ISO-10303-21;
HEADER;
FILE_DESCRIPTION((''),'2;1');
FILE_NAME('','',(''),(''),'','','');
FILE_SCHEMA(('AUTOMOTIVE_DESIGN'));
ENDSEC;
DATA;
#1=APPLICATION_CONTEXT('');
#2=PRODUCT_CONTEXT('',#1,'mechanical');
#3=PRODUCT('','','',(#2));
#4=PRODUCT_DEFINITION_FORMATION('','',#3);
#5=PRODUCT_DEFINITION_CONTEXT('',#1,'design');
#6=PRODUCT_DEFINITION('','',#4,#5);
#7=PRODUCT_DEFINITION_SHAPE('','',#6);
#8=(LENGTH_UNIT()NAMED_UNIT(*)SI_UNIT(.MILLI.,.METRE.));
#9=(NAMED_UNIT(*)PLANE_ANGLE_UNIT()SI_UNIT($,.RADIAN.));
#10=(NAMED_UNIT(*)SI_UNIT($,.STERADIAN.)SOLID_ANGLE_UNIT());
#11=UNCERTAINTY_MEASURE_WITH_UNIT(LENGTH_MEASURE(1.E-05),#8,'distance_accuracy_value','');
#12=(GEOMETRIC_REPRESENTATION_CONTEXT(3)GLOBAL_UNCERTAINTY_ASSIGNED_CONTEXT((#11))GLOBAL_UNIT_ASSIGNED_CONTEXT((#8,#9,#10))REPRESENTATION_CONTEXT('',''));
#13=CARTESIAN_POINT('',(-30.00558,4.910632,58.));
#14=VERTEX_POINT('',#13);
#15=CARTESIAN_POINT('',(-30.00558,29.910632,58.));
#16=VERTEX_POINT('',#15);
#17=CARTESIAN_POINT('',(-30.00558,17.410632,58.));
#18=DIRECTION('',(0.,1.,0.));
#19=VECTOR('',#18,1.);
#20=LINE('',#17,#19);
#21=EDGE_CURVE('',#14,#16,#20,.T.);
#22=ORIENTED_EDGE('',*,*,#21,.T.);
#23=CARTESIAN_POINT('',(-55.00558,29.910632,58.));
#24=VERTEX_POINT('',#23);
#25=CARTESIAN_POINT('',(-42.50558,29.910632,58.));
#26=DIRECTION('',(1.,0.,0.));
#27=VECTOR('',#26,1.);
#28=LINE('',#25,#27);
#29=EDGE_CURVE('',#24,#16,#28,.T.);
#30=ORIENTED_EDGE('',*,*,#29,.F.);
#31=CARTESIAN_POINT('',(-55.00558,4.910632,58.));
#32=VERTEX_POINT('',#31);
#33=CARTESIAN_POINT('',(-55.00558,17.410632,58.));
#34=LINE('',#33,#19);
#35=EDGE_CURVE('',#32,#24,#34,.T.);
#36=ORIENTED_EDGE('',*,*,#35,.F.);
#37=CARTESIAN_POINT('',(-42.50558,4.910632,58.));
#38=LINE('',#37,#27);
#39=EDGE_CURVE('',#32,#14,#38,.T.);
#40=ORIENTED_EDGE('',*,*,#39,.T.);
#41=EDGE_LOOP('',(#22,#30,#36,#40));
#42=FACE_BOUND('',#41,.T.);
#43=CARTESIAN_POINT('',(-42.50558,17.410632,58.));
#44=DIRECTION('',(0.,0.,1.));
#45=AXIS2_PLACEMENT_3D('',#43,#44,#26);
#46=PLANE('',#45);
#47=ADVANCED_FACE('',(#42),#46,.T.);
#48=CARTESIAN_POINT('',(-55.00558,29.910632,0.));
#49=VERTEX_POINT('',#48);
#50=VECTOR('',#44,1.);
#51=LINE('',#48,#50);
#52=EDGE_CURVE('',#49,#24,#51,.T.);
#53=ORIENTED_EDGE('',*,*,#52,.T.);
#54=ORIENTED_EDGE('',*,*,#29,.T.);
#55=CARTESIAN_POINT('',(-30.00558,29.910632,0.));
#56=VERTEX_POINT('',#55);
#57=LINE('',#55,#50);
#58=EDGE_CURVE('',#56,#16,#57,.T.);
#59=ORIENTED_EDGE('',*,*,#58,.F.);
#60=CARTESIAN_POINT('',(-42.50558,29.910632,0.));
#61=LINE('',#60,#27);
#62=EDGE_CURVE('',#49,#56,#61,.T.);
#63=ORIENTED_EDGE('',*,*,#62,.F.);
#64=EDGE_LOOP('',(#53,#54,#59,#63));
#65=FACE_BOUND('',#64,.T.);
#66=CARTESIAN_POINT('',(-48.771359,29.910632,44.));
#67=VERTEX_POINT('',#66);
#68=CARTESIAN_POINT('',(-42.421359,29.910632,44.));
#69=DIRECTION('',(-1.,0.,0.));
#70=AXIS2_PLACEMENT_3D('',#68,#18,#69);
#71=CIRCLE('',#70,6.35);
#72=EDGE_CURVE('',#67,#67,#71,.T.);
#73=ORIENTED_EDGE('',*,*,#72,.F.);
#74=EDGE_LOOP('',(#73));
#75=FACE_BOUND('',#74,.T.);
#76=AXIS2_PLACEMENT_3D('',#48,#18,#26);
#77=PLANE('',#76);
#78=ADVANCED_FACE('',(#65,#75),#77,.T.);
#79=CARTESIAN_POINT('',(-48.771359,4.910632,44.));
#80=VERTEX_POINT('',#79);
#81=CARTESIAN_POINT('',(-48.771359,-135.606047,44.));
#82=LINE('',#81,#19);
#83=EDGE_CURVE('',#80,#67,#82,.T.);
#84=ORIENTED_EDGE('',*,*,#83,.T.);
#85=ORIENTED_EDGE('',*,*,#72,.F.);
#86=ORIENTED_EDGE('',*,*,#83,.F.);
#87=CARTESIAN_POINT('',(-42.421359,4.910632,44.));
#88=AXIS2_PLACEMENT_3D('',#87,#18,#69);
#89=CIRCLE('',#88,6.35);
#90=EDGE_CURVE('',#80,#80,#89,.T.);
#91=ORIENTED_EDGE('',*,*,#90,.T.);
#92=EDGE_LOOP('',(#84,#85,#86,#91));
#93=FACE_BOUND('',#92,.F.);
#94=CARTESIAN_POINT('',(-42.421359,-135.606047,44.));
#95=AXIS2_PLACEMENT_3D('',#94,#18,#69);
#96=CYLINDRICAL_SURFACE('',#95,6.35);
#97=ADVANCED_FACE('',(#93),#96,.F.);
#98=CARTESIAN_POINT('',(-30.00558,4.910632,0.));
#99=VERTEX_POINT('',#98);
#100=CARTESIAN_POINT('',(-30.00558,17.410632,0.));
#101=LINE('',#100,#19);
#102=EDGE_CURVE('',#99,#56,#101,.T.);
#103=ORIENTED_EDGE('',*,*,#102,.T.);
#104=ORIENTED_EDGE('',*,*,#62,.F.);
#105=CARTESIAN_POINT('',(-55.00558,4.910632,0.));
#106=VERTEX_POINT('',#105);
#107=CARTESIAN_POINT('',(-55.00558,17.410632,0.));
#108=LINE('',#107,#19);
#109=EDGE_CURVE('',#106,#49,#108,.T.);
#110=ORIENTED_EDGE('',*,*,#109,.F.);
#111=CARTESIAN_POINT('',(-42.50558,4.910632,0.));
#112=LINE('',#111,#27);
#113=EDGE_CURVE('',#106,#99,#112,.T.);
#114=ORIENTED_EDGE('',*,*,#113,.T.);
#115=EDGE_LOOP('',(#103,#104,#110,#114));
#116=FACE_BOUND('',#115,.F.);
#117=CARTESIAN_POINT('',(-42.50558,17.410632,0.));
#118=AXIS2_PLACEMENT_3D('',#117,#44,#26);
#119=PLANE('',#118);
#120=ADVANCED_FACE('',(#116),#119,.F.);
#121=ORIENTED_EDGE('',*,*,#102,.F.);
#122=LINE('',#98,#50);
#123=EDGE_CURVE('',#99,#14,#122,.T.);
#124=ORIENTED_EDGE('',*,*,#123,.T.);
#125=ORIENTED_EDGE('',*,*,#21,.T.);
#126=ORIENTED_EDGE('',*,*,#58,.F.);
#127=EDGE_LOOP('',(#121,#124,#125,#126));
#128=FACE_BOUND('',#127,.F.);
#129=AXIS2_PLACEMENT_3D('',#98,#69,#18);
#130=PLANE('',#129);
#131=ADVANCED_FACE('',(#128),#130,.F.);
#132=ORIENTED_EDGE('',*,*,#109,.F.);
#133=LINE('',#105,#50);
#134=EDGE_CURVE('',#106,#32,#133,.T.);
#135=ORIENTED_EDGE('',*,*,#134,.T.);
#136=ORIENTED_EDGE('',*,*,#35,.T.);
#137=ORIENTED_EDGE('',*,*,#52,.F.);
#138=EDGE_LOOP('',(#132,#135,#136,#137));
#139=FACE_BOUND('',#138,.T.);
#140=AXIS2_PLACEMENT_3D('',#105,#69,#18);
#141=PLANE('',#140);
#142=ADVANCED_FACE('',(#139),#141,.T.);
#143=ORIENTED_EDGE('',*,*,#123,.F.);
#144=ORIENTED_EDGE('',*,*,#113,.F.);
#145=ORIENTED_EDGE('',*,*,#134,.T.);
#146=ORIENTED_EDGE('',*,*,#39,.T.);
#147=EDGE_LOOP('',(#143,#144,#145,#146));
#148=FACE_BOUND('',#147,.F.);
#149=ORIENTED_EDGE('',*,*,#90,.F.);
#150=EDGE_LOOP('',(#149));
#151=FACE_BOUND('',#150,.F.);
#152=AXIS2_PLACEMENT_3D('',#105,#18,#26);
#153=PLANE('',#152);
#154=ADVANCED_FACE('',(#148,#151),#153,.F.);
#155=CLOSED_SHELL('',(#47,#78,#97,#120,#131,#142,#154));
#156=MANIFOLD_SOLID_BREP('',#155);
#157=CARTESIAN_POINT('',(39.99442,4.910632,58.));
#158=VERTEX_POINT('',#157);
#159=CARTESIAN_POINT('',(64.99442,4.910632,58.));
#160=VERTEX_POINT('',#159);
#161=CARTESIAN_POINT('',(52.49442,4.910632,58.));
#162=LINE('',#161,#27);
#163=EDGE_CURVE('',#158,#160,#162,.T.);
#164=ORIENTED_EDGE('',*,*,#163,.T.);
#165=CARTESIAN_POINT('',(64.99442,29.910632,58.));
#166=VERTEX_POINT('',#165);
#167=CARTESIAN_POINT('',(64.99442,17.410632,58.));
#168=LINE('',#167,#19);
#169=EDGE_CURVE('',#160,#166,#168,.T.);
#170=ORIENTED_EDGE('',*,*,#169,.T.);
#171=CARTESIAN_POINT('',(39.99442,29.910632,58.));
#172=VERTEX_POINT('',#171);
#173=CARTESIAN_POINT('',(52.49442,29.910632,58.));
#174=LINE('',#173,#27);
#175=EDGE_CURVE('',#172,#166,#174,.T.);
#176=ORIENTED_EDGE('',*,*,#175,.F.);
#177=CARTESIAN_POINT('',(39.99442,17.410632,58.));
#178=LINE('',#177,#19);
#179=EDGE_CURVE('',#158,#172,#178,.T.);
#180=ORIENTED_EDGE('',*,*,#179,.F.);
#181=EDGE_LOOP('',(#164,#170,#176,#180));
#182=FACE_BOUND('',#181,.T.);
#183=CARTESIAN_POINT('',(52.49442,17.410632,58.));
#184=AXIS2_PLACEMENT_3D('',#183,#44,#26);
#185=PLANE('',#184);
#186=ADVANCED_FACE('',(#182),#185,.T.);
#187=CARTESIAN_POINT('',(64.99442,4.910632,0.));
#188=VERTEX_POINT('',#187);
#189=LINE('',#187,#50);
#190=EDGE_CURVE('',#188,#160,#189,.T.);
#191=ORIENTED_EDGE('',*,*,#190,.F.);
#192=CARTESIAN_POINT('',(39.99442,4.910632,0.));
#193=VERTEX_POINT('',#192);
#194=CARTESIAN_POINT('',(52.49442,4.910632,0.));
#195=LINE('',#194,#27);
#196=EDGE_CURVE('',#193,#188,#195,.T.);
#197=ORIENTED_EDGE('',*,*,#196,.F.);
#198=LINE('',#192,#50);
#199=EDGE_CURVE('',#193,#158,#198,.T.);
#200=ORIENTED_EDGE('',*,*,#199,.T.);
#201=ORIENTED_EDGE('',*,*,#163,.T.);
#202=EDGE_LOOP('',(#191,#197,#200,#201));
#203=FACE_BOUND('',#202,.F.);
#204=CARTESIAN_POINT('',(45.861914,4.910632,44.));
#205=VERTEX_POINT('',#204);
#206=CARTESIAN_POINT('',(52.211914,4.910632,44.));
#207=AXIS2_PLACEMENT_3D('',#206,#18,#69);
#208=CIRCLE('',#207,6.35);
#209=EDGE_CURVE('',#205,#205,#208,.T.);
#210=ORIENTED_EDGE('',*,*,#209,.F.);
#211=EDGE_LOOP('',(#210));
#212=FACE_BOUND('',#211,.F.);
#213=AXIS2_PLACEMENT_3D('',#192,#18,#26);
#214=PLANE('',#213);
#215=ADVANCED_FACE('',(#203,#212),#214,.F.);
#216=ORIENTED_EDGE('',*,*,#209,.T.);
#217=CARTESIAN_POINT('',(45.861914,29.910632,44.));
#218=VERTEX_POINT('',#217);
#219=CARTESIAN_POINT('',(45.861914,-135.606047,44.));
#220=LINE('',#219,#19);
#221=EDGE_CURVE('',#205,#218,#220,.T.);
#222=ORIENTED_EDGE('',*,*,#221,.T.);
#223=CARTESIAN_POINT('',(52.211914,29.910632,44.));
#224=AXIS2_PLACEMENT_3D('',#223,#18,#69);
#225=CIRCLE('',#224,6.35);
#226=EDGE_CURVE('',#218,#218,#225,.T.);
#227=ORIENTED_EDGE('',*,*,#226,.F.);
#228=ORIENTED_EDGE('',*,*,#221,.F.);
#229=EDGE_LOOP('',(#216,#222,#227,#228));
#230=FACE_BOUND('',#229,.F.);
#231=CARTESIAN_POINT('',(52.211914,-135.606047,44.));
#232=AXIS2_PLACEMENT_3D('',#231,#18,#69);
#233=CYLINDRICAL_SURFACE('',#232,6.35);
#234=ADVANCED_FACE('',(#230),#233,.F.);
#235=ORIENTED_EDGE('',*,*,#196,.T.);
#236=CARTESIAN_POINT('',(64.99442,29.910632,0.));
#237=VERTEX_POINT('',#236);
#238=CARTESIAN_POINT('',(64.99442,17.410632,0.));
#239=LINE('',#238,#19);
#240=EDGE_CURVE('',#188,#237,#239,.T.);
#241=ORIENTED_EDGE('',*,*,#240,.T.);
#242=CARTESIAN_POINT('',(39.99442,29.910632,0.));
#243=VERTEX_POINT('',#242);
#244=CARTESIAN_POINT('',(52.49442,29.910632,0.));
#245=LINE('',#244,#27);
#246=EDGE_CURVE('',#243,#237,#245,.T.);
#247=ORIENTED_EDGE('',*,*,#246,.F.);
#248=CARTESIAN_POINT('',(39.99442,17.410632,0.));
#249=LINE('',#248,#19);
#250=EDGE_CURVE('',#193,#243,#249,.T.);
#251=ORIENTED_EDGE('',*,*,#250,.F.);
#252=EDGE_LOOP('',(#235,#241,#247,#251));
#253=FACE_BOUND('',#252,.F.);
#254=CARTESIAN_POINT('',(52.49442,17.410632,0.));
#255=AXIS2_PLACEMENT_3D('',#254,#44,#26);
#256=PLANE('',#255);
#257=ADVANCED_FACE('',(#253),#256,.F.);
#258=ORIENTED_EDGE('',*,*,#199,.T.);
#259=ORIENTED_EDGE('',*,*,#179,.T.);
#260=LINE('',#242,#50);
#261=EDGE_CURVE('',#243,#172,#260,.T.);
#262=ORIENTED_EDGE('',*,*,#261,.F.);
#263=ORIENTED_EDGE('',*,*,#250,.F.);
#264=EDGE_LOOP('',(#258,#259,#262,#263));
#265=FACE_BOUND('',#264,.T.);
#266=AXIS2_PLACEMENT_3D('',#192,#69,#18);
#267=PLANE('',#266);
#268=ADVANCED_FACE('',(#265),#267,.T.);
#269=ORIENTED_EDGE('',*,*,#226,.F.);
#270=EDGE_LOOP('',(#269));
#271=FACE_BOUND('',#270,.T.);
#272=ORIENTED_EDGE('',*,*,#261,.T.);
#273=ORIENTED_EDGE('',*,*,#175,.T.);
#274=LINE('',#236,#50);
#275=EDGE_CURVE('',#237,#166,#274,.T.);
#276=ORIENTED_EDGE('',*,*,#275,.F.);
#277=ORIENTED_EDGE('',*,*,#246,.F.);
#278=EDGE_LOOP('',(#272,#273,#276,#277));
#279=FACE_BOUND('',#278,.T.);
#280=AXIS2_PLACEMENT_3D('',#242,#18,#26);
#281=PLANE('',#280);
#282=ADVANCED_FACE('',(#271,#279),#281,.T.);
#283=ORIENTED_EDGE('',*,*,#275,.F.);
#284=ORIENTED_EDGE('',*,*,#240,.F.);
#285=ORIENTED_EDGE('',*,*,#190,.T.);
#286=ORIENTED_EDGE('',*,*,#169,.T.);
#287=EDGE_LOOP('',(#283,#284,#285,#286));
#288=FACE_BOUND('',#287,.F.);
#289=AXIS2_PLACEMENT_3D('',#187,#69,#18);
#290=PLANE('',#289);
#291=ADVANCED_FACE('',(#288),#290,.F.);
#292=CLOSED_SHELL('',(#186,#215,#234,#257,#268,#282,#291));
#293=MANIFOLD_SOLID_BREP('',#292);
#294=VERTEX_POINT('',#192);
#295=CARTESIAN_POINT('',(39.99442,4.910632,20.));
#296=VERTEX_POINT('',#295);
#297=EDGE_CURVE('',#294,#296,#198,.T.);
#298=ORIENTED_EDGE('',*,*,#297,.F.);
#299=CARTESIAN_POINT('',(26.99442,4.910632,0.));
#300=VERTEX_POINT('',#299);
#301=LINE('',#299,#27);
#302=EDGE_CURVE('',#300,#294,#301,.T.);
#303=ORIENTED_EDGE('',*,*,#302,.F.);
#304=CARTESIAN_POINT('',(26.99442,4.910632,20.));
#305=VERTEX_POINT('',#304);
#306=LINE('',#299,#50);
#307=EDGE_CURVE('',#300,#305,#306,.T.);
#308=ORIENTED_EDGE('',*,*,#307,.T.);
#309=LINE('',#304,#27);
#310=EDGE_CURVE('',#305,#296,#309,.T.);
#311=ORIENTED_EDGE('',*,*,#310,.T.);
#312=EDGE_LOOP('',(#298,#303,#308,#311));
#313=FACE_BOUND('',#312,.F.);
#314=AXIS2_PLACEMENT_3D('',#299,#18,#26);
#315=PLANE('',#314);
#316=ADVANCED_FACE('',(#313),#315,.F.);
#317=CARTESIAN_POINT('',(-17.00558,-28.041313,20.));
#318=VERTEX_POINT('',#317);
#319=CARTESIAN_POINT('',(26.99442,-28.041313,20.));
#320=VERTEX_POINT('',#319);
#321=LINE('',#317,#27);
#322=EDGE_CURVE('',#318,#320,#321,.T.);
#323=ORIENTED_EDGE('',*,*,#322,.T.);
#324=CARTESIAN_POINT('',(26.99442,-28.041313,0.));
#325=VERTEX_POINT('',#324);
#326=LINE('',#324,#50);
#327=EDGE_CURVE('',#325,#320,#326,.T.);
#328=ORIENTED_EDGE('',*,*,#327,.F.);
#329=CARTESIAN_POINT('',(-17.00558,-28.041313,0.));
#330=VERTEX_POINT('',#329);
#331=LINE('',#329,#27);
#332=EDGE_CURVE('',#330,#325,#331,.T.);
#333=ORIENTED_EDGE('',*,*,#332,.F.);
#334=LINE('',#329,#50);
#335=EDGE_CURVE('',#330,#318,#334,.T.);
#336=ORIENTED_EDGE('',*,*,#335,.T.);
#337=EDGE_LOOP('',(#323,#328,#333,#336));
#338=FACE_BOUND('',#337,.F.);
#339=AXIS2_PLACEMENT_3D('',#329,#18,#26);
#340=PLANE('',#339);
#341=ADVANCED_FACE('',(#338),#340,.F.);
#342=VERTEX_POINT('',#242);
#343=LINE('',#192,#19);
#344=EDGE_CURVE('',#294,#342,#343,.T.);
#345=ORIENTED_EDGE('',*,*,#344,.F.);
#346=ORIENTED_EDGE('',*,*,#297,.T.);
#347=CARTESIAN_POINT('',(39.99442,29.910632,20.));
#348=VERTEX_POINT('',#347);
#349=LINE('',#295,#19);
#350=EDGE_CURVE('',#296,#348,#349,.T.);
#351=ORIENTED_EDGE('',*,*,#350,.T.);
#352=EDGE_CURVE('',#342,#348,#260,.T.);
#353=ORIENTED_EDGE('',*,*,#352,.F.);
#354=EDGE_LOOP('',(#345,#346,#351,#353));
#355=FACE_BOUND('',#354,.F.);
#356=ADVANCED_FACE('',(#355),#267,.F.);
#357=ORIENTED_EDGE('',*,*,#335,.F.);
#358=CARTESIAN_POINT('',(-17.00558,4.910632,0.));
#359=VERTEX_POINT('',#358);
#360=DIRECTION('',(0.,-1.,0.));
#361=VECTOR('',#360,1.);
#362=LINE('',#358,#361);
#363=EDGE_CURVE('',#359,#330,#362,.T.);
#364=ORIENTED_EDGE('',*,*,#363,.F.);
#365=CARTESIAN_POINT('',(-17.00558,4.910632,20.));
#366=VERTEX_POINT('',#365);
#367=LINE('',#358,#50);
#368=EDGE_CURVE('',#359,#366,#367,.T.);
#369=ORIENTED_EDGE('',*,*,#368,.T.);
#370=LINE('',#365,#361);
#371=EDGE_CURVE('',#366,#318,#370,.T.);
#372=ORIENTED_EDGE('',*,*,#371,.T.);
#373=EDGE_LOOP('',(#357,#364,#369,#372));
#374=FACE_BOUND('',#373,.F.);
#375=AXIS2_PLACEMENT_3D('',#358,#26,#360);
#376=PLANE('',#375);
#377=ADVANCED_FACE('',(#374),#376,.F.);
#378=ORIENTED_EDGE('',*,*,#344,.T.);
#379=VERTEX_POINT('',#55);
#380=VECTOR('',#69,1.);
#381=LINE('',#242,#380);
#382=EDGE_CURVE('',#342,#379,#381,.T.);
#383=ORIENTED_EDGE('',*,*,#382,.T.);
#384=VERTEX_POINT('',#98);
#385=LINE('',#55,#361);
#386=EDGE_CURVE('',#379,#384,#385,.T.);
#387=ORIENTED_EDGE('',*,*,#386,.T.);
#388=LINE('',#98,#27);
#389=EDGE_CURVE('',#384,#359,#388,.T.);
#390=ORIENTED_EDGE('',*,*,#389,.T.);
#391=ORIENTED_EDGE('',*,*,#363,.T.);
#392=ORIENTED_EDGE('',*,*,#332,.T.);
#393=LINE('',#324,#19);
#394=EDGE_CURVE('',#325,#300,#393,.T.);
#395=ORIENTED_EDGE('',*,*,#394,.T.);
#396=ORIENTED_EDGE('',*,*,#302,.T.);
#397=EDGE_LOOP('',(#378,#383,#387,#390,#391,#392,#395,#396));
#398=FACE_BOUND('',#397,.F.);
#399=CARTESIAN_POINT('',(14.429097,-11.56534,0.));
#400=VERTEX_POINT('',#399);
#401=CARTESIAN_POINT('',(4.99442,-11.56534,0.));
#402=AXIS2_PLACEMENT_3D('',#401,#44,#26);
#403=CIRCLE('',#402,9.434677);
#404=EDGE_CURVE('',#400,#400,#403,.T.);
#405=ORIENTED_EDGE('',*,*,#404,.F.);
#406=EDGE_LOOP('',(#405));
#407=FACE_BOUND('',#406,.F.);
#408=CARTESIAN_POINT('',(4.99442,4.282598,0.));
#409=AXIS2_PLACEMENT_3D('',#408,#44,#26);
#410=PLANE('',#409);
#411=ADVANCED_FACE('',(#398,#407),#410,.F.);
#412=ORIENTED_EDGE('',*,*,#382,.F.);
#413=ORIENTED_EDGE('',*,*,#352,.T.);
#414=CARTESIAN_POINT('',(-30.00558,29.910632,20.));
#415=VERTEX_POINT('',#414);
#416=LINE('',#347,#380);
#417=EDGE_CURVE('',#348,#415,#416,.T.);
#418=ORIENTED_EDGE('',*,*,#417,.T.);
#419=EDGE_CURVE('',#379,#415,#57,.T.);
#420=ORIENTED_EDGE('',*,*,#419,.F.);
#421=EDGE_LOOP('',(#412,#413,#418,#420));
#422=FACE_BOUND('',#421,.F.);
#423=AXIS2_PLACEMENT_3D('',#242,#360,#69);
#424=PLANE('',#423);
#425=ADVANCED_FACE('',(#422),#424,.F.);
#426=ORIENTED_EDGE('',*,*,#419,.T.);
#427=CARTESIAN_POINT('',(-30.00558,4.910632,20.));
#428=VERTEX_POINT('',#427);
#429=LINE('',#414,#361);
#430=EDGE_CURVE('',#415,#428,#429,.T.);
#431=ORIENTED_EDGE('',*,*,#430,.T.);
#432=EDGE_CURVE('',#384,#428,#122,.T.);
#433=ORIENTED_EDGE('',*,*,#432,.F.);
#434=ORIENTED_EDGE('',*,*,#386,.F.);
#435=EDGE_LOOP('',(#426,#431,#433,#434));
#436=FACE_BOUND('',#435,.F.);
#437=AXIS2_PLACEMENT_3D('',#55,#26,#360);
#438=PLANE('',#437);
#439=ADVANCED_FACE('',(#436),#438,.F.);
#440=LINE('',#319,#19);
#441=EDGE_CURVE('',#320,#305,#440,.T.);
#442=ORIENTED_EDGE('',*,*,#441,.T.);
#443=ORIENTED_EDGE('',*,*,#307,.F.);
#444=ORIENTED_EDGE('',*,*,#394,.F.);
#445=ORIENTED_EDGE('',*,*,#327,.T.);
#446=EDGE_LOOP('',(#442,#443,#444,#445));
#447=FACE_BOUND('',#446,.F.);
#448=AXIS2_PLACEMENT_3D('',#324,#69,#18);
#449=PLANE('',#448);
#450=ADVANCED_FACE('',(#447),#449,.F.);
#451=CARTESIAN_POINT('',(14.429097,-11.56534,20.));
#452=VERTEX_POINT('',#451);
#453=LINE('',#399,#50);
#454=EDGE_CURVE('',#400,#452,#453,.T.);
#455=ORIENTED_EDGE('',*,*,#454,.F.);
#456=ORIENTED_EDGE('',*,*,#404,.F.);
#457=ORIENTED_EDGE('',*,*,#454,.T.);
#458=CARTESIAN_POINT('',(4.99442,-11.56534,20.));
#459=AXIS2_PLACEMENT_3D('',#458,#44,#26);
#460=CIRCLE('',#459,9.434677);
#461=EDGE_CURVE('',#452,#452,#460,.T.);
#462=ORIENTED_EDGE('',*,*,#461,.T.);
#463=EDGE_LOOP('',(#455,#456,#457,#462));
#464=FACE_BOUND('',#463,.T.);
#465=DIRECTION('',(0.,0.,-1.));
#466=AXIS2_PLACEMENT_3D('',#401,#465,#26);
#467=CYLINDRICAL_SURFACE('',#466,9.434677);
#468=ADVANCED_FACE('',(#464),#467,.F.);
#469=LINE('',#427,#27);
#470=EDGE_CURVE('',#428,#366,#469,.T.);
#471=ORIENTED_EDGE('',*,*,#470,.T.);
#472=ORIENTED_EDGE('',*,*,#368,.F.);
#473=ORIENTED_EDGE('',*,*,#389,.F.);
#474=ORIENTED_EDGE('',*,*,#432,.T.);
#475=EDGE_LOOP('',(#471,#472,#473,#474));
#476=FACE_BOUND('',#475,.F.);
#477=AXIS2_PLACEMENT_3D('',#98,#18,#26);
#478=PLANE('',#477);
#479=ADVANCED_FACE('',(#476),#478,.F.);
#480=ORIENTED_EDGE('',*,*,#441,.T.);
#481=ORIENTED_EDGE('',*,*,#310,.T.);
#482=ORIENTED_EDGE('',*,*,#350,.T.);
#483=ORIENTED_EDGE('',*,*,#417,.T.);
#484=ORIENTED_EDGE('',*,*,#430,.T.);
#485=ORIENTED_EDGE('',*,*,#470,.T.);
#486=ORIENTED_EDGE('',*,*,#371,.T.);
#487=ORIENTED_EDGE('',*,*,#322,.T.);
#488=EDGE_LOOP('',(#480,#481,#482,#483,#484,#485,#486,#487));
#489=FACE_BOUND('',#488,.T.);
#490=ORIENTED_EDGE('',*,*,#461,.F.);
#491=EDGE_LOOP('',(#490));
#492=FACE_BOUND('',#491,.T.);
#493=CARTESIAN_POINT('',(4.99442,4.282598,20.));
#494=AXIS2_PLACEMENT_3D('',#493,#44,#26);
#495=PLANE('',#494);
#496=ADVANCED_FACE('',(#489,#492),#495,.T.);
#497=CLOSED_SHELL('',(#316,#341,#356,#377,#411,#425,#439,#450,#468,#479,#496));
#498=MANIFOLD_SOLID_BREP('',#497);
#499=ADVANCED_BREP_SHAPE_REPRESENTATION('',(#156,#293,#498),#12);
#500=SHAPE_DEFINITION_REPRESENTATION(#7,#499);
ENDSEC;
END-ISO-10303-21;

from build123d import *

# Parameters (mm, degrees)
F0_W     = 25
F0_H     = 25
F1_DEPTH = 58
F0_R     = 9.434677
F2_DEPTH = 20
F4_D     = 12.7


with BuildPart() as f1:
    # F0 (on Top) → F1 (new body)
    with BuildSketch(Plane.XY):
        with Locations((-42.50558, 17.410632)):
            Rectangle(F0_W, F0_H)
        with Locations((52.49442, 17.410632)):
            Rectangle(F0_W, F0_H)
    extrude(amount=F1_DEPTH)

    # F4 (through all)
    with Locations(Plane.XZ):
        with Locations((-42.421359, 44), (52.211914, 44)):
            Hole(F4_D / 2)


with BuildPart() as f2:
    # F0 (on Top) → F2 (new body)
    with BuildSketch(Plane.XY):
        Polygon((39.99442, 29.910632), (-30.00558, 29.910632), (-30.00558, 4.910632), (-17.00558, 4.910632), (-17.00558, -28.041313), (26.99442, -28.041313), (26.99442, 4.910632), (39.99442, 4.910632), align=None)
        with Locations((4.99442, -11.56534)):
            Circle(F0_R, mode=Mode.SUBTRACT)
    extrude(amount=F2_DEPTH)


solid = Compound([f1.part, f2.part])
